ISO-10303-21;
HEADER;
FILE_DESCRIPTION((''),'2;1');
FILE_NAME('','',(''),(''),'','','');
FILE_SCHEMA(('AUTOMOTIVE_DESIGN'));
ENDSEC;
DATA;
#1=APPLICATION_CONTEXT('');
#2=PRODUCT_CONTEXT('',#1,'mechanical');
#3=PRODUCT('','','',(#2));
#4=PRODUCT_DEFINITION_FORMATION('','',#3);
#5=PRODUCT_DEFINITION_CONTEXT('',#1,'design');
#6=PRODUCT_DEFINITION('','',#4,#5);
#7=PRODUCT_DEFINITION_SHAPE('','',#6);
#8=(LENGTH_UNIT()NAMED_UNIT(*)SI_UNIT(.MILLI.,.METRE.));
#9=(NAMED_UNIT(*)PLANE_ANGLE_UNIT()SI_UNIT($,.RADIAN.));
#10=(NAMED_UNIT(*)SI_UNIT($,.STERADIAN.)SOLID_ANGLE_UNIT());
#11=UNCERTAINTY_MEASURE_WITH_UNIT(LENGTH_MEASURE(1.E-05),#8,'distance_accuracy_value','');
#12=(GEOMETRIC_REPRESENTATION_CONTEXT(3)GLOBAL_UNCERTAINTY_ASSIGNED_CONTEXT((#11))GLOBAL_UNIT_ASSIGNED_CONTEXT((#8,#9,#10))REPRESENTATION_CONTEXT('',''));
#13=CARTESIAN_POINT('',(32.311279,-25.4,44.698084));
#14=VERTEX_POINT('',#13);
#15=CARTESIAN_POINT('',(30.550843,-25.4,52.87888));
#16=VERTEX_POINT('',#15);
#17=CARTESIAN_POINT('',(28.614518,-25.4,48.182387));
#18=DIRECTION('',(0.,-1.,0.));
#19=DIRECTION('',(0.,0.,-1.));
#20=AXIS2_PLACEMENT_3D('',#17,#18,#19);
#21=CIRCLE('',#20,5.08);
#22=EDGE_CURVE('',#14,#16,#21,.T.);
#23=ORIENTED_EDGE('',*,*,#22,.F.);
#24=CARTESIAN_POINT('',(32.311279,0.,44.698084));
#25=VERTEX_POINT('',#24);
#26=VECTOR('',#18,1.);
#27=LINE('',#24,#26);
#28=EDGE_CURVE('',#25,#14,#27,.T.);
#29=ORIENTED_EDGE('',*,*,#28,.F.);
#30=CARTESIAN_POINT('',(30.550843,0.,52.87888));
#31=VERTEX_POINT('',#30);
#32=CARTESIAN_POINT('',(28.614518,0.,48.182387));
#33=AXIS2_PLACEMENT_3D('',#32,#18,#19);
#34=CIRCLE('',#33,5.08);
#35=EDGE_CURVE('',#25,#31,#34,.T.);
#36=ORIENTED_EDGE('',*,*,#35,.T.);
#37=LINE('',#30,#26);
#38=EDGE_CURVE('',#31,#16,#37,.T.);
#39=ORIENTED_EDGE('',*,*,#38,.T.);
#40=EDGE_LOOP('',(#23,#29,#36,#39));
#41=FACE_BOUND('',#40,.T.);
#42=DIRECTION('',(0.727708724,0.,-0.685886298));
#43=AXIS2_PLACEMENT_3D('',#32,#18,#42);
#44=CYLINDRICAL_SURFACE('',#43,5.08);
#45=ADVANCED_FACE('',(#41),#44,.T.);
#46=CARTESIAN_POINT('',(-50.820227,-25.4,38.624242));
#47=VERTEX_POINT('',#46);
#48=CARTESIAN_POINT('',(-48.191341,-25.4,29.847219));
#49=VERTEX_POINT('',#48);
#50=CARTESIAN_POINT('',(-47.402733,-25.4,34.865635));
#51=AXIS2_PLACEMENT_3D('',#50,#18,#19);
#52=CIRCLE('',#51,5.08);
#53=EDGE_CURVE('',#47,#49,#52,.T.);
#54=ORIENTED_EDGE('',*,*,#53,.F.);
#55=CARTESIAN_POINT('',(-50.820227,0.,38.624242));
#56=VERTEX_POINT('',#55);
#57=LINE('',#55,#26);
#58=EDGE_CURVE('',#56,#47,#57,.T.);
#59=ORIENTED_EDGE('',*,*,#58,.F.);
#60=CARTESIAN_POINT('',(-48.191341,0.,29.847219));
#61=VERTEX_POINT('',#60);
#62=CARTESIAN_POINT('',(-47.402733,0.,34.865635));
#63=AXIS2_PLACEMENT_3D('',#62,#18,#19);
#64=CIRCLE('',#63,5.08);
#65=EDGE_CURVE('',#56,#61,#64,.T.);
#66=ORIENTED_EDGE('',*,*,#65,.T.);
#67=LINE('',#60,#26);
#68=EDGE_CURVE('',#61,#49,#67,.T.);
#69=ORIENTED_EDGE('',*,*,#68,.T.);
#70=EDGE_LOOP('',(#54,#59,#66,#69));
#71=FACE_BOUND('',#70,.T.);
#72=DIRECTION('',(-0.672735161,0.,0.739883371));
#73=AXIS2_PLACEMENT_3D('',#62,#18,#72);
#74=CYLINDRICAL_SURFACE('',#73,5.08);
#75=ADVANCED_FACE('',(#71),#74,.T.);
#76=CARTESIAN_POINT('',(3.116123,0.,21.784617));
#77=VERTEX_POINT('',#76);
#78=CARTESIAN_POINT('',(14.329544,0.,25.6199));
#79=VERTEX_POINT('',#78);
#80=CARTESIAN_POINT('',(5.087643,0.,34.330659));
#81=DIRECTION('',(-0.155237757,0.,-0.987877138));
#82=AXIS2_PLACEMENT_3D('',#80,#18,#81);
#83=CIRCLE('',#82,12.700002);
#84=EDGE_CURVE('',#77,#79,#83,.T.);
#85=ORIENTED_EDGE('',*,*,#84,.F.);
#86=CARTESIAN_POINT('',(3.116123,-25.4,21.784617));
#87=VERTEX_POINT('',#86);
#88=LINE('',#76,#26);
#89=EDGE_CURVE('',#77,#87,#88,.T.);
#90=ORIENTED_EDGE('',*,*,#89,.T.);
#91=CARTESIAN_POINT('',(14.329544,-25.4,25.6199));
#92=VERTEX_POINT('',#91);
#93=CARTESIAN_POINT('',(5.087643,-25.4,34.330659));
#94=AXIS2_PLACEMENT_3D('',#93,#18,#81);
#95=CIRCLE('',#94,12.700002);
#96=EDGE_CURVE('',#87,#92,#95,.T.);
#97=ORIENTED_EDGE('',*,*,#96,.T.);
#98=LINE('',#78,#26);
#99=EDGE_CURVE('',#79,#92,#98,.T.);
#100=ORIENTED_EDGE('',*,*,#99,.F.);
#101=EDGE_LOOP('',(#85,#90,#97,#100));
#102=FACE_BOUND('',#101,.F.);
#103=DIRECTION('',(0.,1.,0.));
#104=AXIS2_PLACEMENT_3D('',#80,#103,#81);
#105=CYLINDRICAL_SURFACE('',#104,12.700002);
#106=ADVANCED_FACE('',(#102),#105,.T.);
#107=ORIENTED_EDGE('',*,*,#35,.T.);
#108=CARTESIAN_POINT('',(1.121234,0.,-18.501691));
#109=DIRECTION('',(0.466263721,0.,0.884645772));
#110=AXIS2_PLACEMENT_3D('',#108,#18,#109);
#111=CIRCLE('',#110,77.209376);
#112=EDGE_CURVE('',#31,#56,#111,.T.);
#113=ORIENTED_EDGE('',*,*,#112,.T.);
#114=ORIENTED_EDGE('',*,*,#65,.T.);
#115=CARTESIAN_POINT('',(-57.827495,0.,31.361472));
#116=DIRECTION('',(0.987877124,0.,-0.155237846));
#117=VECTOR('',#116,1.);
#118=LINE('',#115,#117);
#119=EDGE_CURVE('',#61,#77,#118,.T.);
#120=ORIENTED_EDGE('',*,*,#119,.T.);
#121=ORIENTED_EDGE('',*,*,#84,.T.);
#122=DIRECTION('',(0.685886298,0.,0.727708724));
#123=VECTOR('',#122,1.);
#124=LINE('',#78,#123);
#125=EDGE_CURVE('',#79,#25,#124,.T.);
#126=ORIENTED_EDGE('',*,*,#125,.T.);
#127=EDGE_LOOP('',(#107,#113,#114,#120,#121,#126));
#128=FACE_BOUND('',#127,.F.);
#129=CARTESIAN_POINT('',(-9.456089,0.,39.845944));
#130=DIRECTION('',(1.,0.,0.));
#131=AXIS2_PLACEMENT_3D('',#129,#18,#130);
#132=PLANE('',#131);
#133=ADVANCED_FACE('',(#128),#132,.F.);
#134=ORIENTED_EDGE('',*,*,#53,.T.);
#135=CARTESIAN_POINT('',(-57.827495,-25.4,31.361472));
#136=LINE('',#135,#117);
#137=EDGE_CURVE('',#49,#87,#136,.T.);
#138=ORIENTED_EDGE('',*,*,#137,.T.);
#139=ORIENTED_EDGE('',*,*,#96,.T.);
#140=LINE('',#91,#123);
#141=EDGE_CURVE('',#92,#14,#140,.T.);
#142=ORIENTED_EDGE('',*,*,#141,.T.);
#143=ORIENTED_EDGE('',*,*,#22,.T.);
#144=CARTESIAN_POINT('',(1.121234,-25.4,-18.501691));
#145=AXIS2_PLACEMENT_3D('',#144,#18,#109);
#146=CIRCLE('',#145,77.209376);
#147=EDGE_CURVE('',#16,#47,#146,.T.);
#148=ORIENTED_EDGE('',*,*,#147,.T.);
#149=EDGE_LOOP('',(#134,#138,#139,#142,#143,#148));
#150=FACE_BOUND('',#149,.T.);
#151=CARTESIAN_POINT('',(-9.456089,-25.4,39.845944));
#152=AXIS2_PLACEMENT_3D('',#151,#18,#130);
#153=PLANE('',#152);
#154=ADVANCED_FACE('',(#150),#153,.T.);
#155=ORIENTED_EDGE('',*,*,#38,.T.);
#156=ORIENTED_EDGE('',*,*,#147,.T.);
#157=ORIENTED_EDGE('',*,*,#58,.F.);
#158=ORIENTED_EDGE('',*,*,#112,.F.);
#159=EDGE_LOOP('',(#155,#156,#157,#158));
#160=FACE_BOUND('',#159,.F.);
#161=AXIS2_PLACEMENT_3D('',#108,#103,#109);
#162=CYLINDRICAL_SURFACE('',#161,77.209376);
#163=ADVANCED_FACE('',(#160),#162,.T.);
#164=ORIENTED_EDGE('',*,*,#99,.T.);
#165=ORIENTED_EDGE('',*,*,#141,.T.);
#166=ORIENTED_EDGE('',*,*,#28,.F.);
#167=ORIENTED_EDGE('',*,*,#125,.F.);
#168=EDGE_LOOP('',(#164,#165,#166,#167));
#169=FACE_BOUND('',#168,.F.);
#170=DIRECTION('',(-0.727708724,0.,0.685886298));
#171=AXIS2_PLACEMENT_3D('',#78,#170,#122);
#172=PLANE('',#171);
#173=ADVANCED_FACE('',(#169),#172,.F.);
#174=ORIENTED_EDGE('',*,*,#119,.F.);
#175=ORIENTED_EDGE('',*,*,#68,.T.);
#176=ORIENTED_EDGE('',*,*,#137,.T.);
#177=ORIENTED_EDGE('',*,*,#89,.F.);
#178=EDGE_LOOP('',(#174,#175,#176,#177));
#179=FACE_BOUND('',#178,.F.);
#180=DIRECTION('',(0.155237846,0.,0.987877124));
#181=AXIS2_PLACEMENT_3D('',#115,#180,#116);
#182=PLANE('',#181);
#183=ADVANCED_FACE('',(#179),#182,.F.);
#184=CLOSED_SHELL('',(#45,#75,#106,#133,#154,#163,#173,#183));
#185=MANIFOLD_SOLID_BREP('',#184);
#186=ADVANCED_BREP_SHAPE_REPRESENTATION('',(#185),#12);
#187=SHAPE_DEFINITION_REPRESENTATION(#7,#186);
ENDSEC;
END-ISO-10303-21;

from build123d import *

# Parameters (mm, degrees)
F1_DEPTH = 25.4
F2_R     = 5.08


with BuildPart() as f1:
    # F0 (on Front) → F1 (new body)
    with BuildSketch(Plane.XZ):
        with BuildLine():
            Line((14.329544, 25.6199), (37.121165, 49.801257))
            ThreePointArc((37.121165, 49.801257), (-13.598421, 57.291577), (-57.827495, 31.361472))
            Line((-57.827495, 31.361472), (3.116123, 21.784617))
            ThreePointArc((3.116123, 21.784617), (9.197626, 22.314083), (14.329544, 25.6199))
        make_face()
    extrude(amount=F1_DEPTH)

    # F2
    f2_edges = [f1.edges().sort_by_distance(p)[0] for p in [
        (-57.827495, -12.7, 31.361472),
        (37.121165, -12.7, 49.801257),
    ]]
    fillet(f2_edges, radius=F2_R)


solid = f1.part
